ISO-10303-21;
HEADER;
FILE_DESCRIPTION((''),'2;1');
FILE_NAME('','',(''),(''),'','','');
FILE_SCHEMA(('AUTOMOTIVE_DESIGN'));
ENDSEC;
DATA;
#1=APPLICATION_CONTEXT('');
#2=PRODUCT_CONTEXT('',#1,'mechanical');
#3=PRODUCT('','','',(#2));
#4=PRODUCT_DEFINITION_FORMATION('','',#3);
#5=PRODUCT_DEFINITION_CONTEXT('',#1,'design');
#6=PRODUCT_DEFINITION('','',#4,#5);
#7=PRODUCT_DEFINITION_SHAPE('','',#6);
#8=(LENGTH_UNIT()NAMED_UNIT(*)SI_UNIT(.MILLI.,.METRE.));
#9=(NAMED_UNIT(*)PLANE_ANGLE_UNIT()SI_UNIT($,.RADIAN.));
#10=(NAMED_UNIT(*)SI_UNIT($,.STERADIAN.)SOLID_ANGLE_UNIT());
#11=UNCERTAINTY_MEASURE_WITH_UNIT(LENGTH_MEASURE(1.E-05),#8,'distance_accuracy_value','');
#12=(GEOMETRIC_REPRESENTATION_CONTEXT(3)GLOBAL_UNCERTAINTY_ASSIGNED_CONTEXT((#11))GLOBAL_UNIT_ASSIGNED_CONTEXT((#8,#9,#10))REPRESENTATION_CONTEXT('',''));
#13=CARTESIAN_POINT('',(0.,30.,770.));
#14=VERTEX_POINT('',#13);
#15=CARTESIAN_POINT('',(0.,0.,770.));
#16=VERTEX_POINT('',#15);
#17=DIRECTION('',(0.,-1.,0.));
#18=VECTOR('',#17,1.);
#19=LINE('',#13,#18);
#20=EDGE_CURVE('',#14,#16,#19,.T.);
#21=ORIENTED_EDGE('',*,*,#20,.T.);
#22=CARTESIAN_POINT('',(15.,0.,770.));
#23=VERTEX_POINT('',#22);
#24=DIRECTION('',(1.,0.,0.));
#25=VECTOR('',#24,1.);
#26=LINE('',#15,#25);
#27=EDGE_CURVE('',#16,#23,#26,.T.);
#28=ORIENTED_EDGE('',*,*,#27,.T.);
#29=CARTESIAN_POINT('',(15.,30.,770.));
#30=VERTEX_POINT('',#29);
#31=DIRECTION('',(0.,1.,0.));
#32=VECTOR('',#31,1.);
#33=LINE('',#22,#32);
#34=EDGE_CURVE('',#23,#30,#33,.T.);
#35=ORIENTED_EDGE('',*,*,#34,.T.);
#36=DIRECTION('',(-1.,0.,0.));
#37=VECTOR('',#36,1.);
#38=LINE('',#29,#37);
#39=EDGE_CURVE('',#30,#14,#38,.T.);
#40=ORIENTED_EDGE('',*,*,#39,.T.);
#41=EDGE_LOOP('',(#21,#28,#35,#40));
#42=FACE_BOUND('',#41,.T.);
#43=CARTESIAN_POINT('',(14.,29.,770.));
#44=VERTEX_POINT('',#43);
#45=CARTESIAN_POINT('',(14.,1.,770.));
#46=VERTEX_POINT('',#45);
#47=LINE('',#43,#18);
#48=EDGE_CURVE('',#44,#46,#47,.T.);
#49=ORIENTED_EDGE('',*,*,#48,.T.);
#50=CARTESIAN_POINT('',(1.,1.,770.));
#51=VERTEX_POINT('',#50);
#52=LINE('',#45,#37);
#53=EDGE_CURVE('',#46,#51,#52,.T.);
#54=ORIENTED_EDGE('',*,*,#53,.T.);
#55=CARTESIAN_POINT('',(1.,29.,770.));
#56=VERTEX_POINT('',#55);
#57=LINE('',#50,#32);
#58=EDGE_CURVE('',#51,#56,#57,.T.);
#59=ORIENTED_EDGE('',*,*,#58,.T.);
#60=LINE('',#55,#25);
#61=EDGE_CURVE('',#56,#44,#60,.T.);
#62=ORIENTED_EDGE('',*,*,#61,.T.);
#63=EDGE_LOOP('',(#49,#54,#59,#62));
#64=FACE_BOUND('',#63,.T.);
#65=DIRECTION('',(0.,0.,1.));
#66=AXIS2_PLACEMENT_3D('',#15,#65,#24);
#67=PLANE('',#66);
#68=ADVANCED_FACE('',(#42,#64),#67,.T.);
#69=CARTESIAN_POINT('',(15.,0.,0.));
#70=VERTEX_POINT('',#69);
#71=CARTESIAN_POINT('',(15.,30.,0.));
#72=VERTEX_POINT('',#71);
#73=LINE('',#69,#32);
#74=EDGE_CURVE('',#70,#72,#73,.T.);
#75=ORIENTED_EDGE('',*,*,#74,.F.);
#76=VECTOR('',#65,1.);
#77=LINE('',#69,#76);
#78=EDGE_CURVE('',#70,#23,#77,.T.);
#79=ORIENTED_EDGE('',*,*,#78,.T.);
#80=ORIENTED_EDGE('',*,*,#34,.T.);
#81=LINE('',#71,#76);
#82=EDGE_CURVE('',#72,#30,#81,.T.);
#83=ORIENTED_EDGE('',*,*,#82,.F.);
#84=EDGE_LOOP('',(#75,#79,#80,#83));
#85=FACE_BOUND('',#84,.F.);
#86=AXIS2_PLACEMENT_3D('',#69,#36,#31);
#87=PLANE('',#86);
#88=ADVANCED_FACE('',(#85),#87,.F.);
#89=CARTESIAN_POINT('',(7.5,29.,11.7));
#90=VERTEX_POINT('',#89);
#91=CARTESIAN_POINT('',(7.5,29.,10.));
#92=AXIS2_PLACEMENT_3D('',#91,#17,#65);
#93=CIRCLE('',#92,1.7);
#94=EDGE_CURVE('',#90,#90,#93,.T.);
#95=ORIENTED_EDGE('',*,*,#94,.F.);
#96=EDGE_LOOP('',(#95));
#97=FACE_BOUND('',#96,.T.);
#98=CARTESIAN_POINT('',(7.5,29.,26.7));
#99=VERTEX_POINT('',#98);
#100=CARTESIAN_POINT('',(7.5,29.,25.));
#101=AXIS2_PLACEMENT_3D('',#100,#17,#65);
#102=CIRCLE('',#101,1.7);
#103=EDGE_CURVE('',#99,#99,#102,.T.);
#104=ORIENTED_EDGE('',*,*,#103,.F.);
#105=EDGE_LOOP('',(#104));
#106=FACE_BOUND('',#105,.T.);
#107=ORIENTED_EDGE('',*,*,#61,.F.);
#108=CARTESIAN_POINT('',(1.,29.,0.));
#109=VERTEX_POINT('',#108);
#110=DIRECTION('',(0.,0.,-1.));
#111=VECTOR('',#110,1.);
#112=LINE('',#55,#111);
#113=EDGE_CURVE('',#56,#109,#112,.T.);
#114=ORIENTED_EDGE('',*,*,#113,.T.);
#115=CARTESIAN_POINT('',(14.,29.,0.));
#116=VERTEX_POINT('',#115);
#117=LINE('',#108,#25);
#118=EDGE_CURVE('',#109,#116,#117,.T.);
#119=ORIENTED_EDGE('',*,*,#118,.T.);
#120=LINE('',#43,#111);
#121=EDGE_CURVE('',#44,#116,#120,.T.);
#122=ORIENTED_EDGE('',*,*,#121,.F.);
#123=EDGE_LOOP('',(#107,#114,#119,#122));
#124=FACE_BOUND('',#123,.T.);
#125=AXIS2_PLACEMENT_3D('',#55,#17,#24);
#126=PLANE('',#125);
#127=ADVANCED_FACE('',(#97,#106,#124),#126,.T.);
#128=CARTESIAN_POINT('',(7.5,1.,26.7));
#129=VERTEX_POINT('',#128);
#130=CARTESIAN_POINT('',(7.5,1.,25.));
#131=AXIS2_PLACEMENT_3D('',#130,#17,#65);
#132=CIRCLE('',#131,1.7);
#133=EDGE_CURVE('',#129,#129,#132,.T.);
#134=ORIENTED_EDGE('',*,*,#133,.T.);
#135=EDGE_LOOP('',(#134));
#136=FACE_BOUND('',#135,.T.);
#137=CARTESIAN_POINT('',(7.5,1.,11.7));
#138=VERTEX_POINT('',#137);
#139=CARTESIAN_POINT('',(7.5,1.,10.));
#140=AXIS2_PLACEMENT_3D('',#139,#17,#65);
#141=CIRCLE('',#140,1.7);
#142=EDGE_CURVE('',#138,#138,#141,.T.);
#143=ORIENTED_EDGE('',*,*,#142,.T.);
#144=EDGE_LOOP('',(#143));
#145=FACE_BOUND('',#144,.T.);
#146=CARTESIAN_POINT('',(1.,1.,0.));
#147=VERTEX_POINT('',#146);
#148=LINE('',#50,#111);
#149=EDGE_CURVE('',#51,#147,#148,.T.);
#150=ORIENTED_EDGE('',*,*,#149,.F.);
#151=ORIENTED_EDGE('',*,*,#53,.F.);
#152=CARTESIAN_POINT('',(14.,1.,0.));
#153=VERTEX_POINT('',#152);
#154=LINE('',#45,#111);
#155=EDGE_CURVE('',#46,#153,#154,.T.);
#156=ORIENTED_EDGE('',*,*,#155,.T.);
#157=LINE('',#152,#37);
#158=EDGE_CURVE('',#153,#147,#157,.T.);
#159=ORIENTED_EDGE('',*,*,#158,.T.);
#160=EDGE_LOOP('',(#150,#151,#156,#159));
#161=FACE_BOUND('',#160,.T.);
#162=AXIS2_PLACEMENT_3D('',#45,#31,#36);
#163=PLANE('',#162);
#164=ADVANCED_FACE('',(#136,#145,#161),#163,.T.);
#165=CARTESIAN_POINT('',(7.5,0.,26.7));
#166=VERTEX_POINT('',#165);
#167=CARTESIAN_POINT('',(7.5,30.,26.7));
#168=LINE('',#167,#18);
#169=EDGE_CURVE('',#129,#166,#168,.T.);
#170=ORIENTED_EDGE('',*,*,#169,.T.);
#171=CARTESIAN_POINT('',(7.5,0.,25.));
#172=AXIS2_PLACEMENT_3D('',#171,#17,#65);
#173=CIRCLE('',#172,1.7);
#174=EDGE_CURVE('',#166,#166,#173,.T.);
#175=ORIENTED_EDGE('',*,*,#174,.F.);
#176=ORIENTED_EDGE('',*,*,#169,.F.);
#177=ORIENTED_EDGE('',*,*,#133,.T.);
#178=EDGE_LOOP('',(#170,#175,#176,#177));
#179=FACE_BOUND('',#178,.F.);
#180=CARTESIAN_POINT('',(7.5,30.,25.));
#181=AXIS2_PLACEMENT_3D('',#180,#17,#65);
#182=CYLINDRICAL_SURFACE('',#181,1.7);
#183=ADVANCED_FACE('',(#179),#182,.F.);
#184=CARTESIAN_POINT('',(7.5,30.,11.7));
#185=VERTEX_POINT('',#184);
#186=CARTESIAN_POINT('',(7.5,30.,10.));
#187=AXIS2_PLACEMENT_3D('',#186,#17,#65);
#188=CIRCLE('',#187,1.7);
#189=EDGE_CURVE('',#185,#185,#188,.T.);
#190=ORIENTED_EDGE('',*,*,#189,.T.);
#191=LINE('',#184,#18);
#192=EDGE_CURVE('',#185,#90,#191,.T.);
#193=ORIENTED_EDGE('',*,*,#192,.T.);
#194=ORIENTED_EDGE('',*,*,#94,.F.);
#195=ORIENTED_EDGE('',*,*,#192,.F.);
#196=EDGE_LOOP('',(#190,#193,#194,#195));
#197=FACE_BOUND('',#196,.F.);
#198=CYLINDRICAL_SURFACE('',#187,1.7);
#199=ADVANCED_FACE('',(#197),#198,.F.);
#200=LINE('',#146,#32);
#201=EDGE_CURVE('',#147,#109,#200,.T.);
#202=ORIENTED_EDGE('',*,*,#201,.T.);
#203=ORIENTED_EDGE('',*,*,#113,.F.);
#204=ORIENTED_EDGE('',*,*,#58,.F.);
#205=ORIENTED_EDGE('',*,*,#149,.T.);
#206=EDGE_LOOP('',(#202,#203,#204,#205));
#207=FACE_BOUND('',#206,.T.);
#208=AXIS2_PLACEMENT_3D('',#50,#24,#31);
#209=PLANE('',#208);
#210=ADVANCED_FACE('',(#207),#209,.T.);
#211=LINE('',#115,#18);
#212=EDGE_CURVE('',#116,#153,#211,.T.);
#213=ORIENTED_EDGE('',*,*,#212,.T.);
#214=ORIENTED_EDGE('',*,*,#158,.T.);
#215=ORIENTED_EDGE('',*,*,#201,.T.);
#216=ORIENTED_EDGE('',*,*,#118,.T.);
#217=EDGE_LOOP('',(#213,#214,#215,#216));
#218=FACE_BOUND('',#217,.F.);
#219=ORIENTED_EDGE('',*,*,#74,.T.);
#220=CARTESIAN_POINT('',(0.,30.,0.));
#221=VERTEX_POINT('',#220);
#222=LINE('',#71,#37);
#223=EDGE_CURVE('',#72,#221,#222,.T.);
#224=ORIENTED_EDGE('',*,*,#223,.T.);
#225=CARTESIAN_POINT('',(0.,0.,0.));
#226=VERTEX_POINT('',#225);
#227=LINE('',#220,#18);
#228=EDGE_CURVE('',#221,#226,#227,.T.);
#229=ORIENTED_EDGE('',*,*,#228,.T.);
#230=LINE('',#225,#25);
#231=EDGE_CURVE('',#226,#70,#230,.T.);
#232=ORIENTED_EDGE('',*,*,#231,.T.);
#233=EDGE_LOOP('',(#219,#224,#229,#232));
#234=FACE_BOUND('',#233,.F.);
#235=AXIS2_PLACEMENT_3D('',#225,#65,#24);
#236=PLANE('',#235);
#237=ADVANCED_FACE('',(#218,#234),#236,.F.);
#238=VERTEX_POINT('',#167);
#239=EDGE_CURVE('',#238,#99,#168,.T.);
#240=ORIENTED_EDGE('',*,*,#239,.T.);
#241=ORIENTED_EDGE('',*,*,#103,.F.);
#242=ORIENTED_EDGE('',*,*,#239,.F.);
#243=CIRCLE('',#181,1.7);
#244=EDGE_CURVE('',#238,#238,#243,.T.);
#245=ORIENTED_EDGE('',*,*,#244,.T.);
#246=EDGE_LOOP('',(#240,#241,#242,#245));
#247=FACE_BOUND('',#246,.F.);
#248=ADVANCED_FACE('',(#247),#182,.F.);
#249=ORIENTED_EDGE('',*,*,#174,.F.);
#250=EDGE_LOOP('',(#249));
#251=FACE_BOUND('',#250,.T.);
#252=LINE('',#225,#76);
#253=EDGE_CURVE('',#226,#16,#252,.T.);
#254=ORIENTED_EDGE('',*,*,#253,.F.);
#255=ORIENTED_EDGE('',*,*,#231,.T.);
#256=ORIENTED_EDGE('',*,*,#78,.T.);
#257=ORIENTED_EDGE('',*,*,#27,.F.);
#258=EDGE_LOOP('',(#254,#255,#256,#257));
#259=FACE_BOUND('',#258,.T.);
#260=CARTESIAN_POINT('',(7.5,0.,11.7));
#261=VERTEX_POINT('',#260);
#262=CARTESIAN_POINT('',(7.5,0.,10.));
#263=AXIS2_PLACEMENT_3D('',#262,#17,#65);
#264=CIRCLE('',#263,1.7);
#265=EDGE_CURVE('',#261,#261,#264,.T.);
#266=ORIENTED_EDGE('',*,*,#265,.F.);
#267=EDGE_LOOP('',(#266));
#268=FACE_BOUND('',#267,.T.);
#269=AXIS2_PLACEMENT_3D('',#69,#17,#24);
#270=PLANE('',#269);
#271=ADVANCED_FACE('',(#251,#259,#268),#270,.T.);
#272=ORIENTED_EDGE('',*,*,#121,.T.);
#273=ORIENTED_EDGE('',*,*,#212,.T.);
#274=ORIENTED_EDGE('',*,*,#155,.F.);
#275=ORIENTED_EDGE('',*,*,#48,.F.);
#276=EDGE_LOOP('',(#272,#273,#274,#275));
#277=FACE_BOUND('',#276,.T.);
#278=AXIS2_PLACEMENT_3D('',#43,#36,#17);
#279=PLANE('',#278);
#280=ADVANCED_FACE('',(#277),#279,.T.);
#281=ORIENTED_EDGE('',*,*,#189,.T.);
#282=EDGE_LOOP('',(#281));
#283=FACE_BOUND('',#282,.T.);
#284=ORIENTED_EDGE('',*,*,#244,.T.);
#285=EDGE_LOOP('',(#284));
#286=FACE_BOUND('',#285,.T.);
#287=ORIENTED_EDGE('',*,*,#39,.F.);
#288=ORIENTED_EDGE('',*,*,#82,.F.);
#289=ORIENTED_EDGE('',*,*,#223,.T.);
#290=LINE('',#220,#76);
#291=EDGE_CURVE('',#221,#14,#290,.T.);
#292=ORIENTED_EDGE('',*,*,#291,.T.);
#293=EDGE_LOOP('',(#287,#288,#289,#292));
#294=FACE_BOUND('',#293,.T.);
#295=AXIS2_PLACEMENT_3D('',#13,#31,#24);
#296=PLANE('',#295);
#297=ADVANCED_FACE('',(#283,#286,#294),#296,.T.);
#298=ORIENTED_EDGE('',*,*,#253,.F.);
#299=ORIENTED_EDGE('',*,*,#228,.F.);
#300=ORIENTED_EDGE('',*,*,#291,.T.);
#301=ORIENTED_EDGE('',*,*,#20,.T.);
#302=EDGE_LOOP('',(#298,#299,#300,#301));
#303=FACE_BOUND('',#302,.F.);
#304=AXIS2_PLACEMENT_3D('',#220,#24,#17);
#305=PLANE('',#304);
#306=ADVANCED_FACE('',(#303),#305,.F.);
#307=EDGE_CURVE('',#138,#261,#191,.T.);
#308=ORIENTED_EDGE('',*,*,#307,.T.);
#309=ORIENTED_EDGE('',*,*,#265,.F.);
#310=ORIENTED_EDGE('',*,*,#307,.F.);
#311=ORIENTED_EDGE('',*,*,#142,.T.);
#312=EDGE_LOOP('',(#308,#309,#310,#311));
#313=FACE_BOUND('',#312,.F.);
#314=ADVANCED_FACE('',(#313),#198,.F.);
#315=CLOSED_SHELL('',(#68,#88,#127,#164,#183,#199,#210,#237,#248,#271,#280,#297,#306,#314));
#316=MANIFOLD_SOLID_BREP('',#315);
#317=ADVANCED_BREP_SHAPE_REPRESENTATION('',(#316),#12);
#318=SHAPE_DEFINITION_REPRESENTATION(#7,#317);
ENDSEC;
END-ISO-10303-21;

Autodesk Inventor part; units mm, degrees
ref_plane "YZ Plane" through (0, 0, 0) normal (1, 0, 0) x (0, 1, 0)
ref_plane "XZ Plane" through (0, 0, 0) normal (0, 1, 0) x (-1, 0, 0)
ref_plane "XY Plane" through (0, 0, 0) normal (0, 0, 1) x (1, 0, 0)
sketch "スケッチ1" plane through (0, 0, 0) normal (0, 0, 1) x (1, 0, 0)
  point P0 (0, 0)
sketch "スケッチ2" plane through (0, 0, 0) normal (0, 0, 1) x (1, 0, 0)
  line L0 (0, 0) -> (15, 0)
  line L1 (15, 0) -> (15, 30)
  line L2 (15, 30) -> (0, 30)
  line L3 (0, 30) -> (0, 0)
  dimension "d0" = 15
  dimension "d1" = 30
extrude "押し出し1" add sketch "スケッチ2" along normal blind 770
sketch "スケッチ3" plane through (0, 0, 770) normal (0, 0, 1) x (1, 0, 0)
  line L0 (1, 29) -> (14, 29)
  line L1 (14, 29) -> (14, 1)
  line L2 (14, 1) -> (1, 1)
  line L3 (1, 1) -> (1, 29)
  line L4 (0, 30) -> (0, 0) projected
  line L5 (15, 30) -> (0, 30) projected
  dimension "d4" = 13
  dimension "d5" = 28
  dimension "d6" = 1
  dimension "d7" = 1
extrude "押し出し2" cut sketch "スケッチ3" against normal blind 770
sketch "スケッチ4" plane through (0, 30, 770) normal (0, 1, 0) x (1, 0, 0)
  circle A0 centre (7.5, 760) radius 1.6
  line L0 (15, 770) -> (0, 770) projected
  line L1 (15, 770) -> (15, 0) projected
  circle A1 centre (7.5, 750) radius 1.6
  dimension "d10" = 3.2
  dimension "d11" = 10
  dimension "d12" = 7.5
  dimension "d13" = 3.2
  dimension "d14" = 7.5
  dimension "d15" = 10
sketch "スケッチ5" plane through (0, 30, 770) normal (0, 1, 0) x (1, 0, 0)
  point P0 (0, 770)
hole "穴1" at (7.5, 30, 20) at (7.5, 30, 10) direction (0, -1, 0) diameter 3.4 depth 30
sketch "スケッチ6" plane through (0, 30, 770) normal (0, 1, 0) x (1, 0, 0)
  circle A0 centre (7.5, 750) radius 1.7 projected
  circle A1 centre (7.5, 750) radius 1.7
  point P0 (0, 770)
  dimension "d23" = 3.4
extrude "押し出し3" add sketch "スケッチ6" against normal blind 1
sketch "スケッチ7" plane through (15, 0, 0) normal (0, -1, 0) x (1, 0, 0)
  circle A0 centre (-7.5, 20) radius 1.7 projected
  circle A1 centre (-7.5, 20) radius 1.7
  point P0 (-15, 0)
  dimension "d26" = 3.4
extrude "押し出し4" add sketch "スケッチ7" against normal blind 1
sketch "スケッチ8" plane through (0, 30, 770) normal (0, 1, 0) x (1, 0, 0)
  circle A0 centre (7.5, 745) radius 1.7
  circle A1 centre (7.5, 760) radius 1.7 projected
  line L0 (15, 770) -> (15, 0) projected
  point P0 (0, 770)
  dimension "d29" = 3.4
  dimension "d30" = 15
  dimension "d31" = 7.5
hole "穴2" at (7.5, 30, 25) direction (0, -1, 0) diameter 3.4 depth 30
equation "\"BendRadius\" = Thickness"
equation "\"BendReliefWidth\" = Thickness"
equation "\"BendReliefDepth\" = 0.5 * Thickness"
equation "\"CornerReliefSize\" = 4 * Thickness"
equation "\"MinimumRemnant\" = 2 * Thickness"
equation "\"TransitionRadius\" = BendRadius"
equation "\"JacobiRadiusSize\" = BendRadius"
equation "\"GapSize\" = Thickness"
equation "\"Thickness\" = 3.048"
properties part number "オムニ_角柱2_N"
